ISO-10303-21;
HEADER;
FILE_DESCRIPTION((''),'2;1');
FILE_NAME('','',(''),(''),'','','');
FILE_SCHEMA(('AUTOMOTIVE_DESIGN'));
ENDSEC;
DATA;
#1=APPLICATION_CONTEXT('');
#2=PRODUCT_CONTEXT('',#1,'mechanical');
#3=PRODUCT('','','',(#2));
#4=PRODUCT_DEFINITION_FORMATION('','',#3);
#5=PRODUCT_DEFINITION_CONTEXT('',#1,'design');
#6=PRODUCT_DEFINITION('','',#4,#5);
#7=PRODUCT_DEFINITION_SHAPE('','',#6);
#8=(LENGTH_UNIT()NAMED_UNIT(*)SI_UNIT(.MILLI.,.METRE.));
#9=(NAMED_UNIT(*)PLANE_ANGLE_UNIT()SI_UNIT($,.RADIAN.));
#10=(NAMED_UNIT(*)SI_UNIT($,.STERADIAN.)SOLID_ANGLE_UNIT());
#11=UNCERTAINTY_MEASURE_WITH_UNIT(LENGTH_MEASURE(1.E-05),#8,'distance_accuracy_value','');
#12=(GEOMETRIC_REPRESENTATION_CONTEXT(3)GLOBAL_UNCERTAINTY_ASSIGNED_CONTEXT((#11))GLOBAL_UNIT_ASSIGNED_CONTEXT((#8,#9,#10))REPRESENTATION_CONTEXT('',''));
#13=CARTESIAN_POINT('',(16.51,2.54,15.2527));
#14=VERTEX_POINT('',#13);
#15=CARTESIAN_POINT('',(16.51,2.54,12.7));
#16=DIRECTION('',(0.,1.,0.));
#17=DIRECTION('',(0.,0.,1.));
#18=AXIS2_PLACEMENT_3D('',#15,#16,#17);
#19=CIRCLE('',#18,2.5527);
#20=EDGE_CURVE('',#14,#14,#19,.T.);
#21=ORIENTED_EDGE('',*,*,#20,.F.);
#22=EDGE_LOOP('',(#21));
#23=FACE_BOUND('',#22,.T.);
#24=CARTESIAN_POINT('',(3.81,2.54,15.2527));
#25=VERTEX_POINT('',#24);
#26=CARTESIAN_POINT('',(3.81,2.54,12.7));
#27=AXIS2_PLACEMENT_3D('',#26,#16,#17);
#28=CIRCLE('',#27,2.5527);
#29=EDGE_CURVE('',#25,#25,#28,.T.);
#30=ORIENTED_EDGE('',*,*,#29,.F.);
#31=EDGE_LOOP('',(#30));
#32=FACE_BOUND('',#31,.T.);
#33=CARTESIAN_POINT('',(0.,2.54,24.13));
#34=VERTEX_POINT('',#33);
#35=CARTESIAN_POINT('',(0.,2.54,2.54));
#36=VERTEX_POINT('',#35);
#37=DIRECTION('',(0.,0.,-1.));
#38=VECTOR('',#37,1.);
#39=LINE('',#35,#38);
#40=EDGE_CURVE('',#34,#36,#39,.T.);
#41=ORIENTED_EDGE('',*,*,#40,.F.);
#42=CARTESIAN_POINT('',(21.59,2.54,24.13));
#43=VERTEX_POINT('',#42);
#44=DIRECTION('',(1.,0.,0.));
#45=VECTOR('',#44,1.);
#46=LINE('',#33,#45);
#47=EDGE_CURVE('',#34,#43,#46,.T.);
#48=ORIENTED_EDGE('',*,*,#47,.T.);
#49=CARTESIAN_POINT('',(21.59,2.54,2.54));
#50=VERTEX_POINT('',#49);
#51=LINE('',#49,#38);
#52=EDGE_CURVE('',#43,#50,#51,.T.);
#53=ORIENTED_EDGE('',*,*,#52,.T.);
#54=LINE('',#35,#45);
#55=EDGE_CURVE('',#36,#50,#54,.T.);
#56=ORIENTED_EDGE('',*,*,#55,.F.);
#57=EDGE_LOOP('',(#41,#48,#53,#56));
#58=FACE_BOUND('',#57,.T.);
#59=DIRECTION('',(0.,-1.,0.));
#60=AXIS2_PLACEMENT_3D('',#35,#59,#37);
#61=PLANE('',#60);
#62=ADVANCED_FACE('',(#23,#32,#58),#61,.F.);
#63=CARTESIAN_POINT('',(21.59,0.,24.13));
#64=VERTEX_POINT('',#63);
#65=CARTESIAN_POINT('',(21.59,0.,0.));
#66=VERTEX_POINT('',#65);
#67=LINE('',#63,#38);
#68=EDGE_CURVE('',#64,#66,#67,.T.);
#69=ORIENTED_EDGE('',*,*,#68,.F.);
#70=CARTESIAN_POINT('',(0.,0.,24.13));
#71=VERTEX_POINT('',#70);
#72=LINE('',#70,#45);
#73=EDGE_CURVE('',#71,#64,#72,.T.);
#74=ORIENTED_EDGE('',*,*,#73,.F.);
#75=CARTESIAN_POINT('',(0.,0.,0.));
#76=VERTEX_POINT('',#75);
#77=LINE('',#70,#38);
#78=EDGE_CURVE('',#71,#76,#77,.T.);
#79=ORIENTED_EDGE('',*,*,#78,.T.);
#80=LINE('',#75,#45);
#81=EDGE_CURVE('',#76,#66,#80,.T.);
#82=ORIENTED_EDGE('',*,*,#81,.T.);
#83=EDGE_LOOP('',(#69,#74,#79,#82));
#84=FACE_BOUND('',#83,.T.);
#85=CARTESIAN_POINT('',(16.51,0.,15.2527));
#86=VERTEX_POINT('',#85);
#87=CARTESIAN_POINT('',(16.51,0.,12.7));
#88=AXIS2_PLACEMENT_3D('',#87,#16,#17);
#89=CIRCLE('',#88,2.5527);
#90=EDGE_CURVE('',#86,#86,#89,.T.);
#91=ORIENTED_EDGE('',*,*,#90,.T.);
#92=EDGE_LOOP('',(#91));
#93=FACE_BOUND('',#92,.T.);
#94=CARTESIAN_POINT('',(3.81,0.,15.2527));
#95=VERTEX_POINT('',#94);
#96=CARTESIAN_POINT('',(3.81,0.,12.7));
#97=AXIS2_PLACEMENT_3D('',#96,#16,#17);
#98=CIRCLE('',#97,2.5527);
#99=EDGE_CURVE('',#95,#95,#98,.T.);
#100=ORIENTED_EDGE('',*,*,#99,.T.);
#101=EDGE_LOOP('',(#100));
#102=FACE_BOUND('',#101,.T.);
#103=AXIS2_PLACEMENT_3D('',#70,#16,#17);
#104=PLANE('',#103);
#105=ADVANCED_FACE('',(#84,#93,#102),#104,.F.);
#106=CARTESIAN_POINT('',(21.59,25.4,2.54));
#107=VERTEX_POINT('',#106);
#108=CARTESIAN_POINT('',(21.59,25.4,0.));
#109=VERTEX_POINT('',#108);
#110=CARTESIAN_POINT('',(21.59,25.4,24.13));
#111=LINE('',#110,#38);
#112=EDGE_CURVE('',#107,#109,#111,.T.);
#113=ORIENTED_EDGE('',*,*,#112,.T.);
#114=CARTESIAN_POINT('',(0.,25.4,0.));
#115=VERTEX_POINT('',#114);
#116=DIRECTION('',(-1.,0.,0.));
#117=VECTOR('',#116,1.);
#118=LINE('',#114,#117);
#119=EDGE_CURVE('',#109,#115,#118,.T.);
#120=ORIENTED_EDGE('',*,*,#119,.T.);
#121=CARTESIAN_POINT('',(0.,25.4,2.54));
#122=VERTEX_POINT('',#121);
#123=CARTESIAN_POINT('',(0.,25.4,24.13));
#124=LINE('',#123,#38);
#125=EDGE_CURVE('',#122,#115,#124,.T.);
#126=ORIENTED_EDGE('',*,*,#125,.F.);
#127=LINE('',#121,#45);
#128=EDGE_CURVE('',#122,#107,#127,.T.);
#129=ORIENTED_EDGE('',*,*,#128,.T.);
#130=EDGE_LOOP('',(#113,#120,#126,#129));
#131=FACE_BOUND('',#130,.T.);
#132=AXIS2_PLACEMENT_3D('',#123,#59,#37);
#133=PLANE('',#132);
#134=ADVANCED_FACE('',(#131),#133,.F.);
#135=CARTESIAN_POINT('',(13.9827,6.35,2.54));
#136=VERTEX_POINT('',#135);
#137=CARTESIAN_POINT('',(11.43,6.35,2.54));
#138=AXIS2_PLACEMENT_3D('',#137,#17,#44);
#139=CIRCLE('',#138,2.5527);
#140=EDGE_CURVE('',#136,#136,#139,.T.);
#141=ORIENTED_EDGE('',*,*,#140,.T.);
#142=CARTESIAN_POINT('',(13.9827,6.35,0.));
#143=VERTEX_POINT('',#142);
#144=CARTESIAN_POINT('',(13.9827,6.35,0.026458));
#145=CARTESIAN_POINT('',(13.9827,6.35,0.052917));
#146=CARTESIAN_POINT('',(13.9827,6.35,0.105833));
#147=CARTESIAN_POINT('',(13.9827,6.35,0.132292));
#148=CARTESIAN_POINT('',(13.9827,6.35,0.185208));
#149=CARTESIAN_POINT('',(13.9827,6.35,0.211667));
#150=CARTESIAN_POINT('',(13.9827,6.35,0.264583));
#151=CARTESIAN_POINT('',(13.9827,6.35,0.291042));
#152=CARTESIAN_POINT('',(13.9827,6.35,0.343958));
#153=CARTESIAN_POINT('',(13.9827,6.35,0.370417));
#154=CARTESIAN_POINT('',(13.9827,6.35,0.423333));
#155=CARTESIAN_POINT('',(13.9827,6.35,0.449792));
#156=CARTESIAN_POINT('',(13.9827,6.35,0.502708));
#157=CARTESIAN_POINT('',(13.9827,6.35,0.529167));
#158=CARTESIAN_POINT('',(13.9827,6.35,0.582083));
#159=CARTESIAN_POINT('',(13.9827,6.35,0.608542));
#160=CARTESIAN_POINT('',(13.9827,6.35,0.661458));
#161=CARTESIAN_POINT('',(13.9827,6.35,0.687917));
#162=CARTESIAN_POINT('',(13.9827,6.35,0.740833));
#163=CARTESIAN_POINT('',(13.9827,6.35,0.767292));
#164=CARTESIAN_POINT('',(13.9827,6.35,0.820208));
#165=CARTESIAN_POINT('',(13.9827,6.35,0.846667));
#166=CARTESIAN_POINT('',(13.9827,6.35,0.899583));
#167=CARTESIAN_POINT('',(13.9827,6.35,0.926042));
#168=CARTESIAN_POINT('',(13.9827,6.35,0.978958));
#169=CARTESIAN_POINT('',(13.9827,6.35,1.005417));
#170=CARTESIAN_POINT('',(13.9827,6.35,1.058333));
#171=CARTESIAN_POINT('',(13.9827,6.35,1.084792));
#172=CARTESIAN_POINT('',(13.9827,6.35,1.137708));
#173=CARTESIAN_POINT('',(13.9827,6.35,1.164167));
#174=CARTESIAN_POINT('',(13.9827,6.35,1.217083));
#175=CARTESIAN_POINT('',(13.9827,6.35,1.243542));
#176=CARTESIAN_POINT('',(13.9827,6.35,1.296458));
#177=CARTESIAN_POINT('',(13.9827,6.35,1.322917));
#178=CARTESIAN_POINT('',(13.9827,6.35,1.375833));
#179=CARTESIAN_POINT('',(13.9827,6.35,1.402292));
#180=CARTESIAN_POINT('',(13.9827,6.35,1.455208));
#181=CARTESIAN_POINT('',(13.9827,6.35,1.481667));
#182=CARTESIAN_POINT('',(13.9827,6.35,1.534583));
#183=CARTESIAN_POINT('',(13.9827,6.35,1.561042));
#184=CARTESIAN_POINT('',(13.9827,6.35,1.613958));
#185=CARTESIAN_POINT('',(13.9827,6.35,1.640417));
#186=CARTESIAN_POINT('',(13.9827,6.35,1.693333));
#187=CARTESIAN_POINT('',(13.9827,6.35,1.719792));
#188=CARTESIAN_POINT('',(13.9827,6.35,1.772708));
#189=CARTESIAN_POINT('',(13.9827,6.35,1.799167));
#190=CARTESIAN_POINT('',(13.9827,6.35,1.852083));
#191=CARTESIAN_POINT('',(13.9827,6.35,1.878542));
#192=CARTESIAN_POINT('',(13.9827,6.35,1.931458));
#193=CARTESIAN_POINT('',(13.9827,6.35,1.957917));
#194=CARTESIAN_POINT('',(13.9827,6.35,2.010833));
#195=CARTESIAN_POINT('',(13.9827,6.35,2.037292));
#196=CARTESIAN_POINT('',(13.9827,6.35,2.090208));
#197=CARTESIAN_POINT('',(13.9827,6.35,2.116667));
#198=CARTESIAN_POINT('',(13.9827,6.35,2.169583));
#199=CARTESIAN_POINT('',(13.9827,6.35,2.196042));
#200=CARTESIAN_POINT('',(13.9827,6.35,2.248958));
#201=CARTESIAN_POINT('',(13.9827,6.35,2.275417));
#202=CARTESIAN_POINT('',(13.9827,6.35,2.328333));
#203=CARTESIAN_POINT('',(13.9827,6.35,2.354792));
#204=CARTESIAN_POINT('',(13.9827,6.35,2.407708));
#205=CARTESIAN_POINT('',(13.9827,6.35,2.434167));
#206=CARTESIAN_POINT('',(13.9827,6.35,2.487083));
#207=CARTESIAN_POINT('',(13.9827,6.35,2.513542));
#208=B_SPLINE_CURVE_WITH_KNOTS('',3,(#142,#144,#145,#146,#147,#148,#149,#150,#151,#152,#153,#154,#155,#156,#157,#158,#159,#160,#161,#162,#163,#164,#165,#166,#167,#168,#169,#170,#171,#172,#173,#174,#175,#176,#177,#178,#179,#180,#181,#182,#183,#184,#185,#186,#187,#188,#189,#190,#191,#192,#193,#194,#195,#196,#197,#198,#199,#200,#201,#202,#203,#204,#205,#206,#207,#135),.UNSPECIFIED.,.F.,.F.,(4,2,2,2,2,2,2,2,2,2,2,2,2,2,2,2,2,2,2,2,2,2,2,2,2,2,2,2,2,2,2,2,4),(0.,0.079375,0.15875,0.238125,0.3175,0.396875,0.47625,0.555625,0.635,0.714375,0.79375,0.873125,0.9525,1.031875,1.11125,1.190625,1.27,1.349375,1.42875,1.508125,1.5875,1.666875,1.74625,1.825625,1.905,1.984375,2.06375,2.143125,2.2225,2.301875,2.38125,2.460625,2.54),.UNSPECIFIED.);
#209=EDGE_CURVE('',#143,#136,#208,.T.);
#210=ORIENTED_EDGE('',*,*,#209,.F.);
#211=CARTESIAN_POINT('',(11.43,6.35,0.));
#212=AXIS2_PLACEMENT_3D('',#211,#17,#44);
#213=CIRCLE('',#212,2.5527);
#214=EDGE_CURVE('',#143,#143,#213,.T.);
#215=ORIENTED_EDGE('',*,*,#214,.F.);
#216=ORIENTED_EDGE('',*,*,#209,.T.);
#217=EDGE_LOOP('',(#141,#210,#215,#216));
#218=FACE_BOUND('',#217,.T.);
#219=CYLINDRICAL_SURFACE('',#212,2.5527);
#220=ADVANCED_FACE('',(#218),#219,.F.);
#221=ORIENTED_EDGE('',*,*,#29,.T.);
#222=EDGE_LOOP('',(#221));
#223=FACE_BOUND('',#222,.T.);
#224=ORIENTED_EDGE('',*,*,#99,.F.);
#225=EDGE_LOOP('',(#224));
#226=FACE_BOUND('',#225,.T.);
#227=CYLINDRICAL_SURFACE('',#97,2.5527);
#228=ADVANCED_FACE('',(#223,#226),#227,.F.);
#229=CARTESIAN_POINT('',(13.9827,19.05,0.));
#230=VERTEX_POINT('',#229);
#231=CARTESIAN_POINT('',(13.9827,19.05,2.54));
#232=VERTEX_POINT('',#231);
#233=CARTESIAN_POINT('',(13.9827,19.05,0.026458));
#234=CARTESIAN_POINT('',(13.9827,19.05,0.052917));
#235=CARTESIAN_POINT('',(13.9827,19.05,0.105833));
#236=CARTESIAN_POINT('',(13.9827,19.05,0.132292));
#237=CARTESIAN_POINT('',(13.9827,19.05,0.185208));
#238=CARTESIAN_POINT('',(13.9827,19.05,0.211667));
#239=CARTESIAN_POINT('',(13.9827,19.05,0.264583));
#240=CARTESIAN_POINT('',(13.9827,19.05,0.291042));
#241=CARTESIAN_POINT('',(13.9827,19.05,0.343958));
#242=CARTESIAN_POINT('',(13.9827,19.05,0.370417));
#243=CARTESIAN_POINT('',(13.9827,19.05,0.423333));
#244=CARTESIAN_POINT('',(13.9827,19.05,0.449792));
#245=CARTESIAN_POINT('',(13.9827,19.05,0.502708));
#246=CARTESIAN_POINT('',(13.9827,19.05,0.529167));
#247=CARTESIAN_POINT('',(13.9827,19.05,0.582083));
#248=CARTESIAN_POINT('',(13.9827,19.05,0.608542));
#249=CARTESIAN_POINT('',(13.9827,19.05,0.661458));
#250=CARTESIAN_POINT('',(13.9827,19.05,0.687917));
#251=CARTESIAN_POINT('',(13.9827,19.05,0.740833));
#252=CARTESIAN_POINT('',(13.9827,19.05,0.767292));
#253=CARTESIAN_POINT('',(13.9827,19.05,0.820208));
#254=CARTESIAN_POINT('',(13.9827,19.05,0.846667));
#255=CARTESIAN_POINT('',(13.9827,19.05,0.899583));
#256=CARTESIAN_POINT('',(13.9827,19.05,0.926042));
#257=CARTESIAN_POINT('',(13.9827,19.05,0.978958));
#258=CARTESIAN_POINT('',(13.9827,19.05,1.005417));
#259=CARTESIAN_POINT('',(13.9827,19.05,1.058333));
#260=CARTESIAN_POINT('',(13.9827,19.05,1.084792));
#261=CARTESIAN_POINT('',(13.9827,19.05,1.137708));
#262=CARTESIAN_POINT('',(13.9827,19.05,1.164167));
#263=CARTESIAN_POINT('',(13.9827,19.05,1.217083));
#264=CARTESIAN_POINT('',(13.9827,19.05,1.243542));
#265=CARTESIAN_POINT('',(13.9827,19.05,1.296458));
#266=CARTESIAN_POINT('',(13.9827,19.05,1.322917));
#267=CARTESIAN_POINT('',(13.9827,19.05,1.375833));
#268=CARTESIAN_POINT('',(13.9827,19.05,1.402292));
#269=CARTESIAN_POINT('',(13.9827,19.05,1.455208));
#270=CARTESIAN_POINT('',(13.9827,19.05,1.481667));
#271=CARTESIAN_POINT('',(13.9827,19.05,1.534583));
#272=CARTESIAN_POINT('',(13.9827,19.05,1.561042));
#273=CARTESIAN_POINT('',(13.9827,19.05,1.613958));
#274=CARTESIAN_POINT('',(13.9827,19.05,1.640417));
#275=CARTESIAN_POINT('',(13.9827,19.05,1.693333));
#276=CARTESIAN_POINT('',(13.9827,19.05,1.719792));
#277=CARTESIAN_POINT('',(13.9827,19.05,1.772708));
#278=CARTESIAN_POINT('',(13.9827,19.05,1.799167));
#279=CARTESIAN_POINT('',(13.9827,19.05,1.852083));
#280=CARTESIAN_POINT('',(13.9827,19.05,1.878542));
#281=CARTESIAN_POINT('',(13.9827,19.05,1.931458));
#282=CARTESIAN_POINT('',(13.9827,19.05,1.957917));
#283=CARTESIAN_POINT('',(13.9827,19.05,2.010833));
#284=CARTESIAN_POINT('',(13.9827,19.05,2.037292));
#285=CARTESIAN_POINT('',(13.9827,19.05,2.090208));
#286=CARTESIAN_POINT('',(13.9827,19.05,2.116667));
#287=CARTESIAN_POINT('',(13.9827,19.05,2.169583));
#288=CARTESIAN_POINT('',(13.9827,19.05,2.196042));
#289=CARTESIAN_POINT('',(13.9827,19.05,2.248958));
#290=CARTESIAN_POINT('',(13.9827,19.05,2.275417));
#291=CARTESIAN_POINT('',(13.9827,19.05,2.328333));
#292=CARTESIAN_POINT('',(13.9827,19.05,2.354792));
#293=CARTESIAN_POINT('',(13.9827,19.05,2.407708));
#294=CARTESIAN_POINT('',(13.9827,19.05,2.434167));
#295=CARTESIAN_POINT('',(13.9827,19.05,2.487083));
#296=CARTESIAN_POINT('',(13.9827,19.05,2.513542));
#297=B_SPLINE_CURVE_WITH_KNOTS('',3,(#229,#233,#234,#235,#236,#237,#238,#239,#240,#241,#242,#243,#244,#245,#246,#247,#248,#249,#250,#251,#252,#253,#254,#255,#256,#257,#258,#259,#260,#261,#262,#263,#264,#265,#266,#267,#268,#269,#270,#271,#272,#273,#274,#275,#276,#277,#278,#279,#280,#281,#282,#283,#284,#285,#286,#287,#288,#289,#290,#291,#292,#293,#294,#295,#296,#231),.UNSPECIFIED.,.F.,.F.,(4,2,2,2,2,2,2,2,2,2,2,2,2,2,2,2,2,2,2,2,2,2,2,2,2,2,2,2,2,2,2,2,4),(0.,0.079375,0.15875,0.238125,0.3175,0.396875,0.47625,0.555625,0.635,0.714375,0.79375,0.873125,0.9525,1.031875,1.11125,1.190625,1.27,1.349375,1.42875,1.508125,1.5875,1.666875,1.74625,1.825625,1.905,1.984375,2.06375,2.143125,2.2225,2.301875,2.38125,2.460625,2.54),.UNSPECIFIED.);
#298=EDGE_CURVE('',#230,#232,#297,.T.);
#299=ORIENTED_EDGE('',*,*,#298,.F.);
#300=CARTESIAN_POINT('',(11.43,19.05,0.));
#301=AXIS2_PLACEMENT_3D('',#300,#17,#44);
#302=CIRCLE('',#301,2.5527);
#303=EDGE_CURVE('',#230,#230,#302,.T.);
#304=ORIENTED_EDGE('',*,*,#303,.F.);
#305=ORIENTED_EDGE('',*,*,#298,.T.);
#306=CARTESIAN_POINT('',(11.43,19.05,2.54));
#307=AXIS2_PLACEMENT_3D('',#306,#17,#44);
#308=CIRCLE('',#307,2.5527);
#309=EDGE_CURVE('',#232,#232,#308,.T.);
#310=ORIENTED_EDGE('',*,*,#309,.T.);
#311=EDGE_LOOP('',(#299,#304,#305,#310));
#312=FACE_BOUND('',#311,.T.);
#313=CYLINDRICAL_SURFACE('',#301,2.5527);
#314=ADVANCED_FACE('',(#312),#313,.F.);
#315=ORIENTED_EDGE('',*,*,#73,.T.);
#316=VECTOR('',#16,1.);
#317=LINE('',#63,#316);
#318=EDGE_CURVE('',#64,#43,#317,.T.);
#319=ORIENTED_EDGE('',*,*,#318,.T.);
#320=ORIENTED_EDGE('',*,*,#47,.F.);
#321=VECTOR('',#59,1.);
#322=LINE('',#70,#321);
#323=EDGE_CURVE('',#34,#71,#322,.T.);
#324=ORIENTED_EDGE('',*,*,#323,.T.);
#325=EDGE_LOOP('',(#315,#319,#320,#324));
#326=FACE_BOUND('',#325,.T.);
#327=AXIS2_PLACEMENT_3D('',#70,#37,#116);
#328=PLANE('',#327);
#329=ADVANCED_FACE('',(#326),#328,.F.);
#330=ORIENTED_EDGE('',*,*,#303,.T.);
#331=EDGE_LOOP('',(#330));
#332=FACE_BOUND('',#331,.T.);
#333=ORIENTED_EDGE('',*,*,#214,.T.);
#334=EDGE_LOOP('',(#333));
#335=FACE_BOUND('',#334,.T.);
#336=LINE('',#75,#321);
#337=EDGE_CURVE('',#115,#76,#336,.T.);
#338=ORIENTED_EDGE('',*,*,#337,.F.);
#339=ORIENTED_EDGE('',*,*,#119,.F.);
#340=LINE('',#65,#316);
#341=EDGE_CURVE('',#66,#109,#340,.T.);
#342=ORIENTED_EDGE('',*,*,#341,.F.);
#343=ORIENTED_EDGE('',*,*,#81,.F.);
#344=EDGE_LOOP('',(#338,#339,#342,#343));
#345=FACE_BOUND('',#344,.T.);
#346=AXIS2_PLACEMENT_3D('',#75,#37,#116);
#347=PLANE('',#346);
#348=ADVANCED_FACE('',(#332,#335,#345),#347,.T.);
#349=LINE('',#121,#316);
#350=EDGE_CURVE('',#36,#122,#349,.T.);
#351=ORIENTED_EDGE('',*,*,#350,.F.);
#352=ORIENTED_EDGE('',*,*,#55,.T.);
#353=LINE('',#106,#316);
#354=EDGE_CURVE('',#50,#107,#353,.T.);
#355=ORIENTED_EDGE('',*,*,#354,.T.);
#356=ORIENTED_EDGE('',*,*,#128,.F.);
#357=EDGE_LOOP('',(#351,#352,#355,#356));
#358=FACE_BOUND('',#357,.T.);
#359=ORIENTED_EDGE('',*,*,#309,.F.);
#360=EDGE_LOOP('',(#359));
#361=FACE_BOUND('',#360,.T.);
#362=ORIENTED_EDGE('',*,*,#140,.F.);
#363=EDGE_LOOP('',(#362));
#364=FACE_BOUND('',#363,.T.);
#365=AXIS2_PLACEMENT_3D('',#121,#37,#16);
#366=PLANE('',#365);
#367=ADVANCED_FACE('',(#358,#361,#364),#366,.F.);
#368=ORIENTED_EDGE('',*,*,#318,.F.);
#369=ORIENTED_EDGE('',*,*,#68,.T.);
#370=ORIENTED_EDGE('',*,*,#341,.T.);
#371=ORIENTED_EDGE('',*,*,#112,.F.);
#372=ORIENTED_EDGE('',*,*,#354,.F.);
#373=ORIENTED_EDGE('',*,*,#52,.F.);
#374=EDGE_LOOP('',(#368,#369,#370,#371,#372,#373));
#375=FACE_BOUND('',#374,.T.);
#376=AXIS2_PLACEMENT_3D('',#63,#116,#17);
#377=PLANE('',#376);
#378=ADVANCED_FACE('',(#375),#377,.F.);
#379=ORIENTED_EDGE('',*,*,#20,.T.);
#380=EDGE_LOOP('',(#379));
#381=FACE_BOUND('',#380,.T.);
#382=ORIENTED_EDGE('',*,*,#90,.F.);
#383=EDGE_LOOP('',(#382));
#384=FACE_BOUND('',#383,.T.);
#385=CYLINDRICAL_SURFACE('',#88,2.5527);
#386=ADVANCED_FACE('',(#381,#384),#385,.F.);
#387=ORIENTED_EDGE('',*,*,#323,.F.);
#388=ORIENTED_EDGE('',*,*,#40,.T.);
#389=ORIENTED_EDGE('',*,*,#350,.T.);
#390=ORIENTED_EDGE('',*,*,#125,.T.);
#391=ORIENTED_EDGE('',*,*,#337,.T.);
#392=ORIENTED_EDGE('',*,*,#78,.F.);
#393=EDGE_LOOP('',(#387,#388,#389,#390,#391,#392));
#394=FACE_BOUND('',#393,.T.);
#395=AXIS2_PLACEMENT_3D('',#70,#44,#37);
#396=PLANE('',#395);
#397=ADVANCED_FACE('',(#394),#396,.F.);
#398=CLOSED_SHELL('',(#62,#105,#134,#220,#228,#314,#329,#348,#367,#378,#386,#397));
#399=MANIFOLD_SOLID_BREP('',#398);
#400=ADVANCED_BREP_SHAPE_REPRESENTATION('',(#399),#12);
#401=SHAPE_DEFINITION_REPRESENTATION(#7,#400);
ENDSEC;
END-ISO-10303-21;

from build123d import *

# Parameters (mm, degrees)
SKETCH1_W           = 21.59
SKETCH1_H           = 25.4
BOSS_EXTRUDE1_DEPTH = 24.13
SKETCH2_W           = 21.59
SKETCH2_H           = 22.86
CUT_EXTRUDE1_DEPTH  = 42.152703435
SKETCH3_R           = 2.5527
CUT_EXTRUDE2_DEPTH  = 40.716699259
SKETCH4_R           = 2.5527
CUT_EXTRUDE3_DEPTH  = 40.635395797


with BuildPart() as part:
    # Sketch1 → Boss-Extrude1 (new body)
    with BuildSketch(Plane.XY):
        with Locations((10.795, 12.7)):
            Rectangle(SKETCH1_W, SKETCH1_H)
    extrude(amount=BOSS_EXTRUDE1_DEPTH)

    # Sketch2 → Cut-Extrude1 (cut, through all)
    with BuildSketch(Plane(origin=(21.59, 0, 0), x_dir=(0, 0, -1), z_dir=(1, 0, 0))):
        with Locations((-13.335, 13.97)):
            Rectangle(SKETCH2_W, SKETCH2_H)
    extrude(amount=-CUT_EXTRUDE1_DEPTH, mode=Mode.SUBTRACT)

    # Sketch3 → Cut-Extrude2 (cut, through all)
    with BuildSketch(Plane.XY.offset(2.54)):
        with Locations((11.43, 19.05)):
            Circle(SKETCH3_R)
        with Locations((11.43, 6.35)):
            Circle(SKETCH3_R)
    extrude(amount=-CUT_EXTRUDE2_DEPTH, mode=Mode.SUBTRACT)

    # Sketch4 → Cut-Extrude3 (cut, through all)
    with BuildSketch(Plane(origin=(0, 2.54, 0), x_dir=(1, 0, 0), z_dir=(0, 1, 0))):
        with Locations(Location((16.51, -12.7, 0), (0, 0, 270))):
            Circle(SKETCH4_R)
        with Locations(Location((3.81, -12.7, 0), (0, 0, 270))):
            Circle(SKETCH4_R)
    extrude(amount=-CUT_EXTRUDE3_DEPTH, mode=Mode.SUBTRACT)


solid = part.part
